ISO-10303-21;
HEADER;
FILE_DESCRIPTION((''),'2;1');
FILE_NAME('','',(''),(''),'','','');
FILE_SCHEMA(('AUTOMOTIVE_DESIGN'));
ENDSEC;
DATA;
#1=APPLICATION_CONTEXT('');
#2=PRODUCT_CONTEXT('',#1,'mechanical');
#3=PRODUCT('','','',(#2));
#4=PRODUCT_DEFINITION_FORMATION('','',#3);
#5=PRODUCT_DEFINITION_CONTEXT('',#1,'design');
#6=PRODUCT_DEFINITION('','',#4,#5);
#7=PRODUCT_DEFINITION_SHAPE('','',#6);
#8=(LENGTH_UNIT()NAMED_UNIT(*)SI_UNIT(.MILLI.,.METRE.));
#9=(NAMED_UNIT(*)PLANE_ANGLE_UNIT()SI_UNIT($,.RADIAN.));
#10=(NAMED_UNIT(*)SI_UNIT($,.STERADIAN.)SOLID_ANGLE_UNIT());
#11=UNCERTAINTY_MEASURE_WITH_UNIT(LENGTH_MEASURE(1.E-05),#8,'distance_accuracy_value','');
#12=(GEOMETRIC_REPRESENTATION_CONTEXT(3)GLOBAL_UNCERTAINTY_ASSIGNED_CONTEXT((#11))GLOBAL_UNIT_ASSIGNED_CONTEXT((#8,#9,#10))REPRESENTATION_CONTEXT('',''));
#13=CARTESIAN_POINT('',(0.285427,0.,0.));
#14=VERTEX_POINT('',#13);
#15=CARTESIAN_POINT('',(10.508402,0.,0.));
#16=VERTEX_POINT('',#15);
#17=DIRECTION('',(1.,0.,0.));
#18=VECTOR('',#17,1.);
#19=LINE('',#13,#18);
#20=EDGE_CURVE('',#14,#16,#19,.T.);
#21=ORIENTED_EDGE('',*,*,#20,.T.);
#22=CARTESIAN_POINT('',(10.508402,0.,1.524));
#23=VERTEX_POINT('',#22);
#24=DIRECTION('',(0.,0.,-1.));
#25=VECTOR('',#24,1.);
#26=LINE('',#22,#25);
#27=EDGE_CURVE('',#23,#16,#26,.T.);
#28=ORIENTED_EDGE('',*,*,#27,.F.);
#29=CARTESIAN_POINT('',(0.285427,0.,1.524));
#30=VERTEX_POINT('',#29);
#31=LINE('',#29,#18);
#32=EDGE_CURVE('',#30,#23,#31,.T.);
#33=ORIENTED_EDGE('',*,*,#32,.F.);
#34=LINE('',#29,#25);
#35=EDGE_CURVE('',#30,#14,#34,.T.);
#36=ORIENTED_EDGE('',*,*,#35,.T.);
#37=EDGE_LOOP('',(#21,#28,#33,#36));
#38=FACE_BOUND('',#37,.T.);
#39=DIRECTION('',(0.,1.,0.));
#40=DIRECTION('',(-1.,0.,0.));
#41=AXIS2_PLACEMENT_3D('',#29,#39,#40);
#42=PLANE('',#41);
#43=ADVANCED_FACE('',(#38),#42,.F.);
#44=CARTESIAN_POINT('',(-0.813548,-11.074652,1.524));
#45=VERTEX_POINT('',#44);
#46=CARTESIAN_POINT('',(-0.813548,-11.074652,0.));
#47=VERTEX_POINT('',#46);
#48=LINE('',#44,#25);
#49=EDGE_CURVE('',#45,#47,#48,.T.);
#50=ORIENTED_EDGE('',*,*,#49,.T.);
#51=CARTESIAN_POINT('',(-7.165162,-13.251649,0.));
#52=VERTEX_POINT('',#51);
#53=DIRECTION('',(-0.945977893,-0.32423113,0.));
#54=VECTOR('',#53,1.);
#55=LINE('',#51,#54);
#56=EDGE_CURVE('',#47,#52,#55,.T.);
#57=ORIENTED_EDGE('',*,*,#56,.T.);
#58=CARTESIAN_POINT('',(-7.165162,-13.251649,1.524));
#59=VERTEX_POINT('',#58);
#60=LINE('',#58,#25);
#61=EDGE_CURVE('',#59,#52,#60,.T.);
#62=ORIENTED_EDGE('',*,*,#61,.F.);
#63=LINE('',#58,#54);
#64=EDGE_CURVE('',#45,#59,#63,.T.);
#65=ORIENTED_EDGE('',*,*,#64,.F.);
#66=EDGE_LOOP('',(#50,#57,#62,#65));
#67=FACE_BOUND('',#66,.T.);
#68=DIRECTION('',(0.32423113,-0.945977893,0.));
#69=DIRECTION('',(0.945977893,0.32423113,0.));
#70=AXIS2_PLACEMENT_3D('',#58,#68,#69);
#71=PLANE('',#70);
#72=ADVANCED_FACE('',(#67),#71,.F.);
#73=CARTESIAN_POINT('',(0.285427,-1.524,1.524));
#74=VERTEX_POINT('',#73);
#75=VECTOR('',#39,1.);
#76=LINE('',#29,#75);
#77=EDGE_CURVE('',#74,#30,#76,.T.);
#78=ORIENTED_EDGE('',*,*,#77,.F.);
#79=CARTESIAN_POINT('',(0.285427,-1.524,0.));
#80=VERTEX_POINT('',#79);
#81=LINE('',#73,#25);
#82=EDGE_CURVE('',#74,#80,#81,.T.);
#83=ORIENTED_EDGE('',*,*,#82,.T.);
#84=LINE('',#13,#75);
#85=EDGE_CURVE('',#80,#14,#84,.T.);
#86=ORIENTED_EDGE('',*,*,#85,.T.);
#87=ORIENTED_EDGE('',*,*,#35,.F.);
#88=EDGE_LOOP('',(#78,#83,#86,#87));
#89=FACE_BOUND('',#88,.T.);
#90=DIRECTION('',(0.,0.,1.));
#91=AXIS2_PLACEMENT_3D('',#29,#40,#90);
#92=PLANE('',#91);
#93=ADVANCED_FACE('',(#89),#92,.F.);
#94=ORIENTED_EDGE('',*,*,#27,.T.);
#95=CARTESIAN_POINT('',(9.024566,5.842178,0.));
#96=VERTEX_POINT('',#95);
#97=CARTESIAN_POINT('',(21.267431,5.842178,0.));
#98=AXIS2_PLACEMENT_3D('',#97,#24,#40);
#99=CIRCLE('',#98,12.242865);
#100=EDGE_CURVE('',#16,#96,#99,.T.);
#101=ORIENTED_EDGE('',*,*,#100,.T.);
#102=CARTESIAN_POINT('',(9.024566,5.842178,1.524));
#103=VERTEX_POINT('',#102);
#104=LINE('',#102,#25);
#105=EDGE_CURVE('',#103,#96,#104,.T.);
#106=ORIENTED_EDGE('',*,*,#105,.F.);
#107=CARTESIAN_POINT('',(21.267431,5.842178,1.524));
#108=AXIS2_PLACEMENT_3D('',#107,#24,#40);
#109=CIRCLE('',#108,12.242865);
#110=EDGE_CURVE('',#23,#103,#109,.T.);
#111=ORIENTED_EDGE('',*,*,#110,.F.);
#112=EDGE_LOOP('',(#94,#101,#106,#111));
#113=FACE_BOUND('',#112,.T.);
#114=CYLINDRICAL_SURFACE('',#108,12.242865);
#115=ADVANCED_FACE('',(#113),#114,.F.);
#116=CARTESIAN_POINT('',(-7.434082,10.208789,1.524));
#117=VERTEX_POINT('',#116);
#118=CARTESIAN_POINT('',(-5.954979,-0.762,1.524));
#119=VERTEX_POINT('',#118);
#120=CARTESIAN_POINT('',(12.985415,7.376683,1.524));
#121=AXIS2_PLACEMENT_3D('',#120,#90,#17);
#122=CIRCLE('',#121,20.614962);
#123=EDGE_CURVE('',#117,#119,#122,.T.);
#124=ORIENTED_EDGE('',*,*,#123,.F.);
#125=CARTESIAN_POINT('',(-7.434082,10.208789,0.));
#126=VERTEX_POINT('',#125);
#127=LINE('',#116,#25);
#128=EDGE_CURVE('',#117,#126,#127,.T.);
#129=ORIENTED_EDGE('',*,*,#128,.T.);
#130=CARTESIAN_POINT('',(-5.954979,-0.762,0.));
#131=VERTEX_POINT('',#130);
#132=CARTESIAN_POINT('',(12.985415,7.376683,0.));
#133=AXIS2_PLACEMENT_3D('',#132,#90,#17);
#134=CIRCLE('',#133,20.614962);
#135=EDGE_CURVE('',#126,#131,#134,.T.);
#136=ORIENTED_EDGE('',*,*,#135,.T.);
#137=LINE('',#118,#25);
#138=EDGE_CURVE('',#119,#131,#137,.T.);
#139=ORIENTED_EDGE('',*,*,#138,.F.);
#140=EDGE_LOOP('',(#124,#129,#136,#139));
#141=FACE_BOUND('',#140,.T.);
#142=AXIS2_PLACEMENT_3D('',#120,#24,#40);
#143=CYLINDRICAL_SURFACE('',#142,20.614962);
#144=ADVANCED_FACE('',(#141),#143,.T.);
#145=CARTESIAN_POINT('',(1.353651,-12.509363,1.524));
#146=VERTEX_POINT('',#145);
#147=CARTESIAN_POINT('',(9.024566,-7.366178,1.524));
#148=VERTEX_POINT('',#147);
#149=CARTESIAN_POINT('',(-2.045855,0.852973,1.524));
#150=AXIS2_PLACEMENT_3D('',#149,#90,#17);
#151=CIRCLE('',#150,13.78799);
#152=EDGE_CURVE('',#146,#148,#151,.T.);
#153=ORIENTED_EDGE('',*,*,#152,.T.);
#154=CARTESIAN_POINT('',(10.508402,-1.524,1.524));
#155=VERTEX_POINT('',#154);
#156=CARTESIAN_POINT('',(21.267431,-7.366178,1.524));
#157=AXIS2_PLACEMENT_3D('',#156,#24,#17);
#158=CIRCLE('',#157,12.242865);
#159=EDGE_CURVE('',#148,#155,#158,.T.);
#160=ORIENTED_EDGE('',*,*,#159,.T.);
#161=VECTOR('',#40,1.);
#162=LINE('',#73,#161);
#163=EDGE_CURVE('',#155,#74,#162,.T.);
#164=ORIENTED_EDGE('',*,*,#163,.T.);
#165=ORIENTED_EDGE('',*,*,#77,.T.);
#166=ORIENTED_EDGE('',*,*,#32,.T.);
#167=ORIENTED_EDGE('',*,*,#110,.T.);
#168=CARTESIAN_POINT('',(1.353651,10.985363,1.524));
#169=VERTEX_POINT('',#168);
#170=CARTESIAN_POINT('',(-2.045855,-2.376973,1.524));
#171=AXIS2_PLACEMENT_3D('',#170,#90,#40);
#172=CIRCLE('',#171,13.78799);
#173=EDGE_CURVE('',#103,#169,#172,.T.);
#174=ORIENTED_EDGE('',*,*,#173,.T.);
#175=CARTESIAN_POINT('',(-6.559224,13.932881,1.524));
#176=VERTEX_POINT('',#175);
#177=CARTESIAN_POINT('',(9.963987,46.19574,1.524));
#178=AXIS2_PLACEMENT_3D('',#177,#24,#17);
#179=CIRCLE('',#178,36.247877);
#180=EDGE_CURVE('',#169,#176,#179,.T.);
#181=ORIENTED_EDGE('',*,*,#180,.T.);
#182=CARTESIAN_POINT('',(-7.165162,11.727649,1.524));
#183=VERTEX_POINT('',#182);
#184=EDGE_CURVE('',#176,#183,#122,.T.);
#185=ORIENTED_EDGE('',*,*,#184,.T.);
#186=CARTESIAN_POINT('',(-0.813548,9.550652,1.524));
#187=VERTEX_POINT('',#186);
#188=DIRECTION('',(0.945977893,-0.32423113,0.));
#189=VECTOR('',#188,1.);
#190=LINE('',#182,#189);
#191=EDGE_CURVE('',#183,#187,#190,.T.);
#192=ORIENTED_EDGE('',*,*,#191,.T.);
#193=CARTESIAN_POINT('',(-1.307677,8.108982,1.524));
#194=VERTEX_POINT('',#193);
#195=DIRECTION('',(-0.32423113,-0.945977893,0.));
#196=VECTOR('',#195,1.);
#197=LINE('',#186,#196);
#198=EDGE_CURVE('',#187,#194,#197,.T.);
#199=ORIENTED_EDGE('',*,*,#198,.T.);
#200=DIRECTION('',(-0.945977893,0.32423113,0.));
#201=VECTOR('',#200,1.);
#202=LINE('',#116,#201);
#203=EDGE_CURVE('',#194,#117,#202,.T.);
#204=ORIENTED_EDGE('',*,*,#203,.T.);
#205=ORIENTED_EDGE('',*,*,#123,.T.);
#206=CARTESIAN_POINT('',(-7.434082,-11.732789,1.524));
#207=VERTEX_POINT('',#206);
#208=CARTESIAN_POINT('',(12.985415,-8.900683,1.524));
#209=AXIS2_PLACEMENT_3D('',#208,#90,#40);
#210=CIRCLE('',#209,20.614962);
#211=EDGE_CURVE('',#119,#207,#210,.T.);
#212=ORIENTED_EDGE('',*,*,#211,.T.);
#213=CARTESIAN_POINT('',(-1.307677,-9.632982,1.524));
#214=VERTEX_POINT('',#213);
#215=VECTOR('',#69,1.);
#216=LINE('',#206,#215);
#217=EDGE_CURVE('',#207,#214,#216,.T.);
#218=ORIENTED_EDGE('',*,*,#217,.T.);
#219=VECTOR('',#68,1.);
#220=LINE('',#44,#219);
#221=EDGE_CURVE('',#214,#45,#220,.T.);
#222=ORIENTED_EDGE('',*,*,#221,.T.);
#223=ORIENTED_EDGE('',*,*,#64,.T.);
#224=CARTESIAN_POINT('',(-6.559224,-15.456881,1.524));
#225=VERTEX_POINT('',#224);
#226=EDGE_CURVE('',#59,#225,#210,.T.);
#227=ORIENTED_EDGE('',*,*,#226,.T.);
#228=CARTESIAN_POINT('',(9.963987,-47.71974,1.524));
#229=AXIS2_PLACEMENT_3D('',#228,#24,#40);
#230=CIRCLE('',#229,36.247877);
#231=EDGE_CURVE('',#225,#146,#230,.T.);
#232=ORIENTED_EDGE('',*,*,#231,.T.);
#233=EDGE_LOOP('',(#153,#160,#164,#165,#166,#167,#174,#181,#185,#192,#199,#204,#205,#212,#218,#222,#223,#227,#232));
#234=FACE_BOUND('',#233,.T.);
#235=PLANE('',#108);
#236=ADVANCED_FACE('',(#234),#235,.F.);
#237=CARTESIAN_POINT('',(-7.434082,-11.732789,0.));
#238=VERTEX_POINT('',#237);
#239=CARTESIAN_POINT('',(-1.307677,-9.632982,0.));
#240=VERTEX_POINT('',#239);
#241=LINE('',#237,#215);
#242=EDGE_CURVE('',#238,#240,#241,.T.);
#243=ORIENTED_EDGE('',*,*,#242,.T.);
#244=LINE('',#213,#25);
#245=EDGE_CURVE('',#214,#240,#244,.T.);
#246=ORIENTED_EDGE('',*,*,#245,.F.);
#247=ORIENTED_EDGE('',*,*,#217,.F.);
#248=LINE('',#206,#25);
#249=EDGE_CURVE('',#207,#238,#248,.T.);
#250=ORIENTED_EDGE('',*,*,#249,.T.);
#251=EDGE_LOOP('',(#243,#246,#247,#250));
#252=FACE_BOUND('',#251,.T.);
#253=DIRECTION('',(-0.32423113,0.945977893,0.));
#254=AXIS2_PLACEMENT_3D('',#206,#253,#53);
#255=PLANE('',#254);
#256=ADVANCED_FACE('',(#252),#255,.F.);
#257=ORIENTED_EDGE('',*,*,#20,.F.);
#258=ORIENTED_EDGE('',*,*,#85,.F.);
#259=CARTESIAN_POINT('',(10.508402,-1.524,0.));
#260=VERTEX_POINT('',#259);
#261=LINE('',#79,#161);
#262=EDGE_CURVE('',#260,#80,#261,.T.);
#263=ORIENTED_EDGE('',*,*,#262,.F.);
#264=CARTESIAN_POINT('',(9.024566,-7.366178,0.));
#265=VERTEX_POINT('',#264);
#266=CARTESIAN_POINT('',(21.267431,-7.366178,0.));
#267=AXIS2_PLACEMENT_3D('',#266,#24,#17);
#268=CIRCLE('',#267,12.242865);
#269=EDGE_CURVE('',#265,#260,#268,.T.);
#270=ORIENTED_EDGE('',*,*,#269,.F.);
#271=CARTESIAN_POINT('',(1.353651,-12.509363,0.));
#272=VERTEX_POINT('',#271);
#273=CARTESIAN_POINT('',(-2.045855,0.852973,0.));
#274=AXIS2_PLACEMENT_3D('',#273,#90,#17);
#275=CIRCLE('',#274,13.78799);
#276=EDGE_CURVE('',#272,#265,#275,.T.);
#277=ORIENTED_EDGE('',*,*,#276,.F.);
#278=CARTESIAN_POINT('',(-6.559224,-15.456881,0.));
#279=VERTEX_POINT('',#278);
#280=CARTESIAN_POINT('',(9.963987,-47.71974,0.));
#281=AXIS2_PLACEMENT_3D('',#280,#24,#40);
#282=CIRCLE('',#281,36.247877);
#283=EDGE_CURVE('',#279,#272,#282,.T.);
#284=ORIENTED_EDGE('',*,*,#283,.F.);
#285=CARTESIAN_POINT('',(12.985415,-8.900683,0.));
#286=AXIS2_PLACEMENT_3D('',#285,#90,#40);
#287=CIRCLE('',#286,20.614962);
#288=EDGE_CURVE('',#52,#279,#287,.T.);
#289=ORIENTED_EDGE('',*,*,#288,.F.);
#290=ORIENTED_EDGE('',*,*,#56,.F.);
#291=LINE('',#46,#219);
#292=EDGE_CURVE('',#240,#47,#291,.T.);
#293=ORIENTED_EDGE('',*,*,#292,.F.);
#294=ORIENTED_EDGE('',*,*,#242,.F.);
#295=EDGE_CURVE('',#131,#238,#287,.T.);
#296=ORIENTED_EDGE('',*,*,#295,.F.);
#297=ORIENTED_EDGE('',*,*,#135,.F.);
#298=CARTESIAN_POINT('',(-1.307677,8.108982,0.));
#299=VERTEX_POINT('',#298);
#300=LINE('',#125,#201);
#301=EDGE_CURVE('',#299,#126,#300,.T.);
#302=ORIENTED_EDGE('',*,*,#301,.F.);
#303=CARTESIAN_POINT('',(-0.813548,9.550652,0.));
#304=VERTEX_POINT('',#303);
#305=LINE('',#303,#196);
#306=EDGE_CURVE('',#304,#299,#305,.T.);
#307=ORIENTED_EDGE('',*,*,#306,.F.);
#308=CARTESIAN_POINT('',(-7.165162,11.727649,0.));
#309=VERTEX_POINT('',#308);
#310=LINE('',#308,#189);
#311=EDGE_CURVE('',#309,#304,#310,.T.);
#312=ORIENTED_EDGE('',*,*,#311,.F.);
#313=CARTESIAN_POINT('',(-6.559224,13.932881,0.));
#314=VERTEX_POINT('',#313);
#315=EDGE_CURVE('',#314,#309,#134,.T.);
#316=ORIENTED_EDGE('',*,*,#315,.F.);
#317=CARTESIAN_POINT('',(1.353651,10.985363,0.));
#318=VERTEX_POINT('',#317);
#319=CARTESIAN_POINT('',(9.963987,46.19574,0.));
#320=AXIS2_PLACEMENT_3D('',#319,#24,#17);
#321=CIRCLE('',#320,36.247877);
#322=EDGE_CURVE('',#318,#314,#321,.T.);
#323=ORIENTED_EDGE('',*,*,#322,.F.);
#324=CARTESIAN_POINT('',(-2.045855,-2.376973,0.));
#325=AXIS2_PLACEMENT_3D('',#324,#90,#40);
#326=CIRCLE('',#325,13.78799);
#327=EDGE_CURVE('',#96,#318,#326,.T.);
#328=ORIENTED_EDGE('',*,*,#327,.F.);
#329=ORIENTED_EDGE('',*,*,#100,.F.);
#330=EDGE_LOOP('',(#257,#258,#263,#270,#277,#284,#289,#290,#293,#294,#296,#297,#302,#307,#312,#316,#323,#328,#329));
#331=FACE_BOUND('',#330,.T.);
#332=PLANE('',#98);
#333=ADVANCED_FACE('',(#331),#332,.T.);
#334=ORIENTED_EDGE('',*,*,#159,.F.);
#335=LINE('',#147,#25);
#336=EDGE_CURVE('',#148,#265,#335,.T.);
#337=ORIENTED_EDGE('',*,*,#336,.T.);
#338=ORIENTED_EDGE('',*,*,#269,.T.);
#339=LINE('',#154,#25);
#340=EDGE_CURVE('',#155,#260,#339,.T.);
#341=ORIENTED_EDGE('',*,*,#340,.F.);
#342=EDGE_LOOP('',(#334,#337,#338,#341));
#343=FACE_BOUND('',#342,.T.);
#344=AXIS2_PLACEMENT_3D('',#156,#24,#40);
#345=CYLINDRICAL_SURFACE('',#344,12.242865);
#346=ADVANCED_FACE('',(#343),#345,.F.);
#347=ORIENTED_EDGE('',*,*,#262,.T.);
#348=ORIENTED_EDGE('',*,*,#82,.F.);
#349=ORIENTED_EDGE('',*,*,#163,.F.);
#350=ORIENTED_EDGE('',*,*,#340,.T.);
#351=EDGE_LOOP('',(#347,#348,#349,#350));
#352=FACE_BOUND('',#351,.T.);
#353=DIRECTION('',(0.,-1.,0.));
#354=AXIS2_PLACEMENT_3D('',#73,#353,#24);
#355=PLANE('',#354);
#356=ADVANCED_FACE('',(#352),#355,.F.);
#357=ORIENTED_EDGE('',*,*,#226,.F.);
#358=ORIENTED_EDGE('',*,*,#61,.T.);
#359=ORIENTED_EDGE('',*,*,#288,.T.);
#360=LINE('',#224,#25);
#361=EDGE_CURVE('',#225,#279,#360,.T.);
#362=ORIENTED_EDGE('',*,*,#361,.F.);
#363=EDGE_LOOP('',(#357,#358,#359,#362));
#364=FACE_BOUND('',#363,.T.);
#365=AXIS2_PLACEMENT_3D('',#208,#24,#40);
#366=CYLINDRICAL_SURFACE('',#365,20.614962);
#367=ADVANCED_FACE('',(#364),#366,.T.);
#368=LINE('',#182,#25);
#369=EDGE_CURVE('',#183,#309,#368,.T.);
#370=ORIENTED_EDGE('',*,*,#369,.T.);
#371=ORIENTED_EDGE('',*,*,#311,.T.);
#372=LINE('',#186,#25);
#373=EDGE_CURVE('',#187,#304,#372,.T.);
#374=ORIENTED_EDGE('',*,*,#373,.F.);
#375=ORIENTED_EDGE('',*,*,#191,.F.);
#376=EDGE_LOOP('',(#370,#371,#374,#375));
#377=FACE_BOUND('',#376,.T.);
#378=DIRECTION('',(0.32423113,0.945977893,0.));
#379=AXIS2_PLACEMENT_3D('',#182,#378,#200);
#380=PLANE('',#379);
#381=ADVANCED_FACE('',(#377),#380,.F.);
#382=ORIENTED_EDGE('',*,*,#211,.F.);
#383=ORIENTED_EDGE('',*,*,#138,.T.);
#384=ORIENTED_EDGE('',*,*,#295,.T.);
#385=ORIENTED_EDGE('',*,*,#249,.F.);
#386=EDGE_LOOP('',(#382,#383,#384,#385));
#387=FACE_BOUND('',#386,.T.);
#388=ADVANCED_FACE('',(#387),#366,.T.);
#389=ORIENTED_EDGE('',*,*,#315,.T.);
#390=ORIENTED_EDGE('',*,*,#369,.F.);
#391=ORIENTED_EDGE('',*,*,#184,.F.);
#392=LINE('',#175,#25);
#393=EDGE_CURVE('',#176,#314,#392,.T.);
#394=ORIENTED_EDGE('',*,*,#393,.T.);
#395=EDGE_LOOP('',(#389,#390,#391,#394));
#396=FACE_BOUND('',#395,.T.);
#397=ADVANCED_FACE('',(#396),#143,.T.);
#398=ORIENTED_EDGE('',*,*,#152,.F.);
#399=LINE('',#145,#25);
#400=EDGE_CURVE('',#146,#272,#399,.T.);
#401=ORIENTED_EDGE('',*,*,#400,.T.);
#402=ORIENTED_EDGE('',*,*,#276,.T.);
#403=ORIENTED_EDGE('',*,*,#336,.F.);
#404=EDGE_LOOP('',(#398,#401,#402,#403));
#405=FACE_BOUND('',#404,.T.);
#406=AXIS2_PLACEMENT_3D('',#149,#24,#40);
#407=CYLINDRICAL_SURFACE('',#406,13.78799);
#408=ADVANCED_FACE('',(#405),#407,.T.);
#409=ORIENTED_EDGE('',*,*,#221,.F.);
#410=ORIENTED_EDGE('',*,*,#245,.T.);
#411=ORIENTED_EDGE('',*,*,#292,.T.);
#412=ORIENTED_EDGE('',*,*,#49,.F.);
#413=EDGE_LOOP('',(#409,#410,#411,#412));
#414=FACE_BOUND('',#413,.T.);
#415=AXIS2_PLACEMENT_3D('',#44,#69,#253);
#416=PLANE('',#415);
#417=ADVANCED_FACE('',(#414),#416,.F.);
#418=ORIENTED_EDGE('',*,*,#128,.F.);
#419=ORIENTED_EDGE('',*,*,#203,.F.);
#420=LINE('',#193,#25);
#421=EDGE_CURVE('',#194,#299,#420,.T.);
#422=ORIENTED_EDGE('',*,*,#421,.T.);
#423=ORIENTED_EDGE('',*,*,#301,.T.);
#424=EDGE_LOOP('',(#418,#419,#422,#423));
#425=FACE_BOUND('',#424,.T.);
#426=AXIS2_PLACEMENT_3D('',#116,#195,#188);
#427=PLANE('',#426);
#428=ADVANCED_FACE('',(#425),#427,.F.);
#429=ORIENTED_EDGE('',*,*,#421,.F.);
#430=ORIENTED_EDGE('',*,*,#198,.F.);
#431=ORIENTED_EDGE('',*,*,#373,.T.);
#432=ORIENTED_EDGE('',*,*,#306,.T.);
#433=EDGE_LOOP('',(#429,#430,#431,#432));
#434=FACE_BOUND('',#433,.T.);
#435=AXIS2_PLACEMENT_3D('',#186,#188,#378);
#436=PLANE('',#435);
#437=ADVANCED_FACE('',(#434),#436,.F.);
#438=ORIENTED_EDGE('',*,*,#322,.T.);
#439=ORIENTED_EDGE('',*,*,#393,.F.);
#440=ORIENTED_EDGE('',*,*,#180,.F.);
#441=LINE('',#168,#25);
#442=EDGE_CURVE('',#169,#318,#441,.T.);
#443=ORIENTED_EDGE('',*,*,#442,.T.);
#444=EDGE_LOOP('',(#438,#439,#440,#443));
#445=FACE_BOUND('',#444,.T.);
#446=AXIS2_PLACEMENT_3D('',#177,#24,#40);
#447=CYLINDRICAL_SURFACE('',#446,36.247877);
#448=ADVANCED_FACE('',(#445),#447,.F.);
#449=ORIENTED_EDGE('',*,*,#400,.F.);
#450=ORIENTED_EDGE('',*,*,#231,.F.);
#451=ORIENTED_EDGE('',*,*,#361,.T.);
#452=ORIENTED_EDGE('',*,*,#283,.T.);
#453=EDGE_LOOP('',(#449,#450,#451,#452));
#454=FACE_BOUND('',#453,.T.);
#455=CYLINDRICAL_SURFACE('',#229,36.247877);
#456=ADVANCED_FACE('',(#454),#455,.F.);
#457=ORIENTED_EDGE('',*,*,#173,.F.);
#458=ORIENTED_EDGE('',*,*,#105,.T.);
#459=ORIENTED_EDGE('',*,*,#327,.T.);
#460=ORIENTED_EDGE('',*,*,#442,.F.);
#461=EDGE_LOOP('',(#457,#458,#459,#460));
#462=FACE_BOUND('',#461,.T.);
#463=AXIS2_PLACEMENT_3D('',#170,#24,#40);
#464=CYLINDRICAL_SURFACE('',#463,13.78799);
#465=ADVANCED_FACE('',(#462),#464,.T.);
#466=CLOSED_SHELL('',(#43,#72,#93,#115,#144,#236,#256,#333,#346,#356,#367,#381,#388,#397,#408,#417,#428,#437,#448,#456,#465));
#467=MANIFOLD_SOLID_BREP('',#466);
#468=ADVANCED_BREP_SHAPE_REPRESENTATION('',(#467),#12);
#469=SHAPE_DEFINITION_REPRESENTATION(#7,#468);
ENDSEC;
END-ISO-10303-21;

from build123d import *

# Parameters (mm, degrees)
BOSS_EXTRUDE1_DEPTH = 1.524


with BuildPart() as part:
    # Sketch1 → Boss-Extrude1 (new body)
    with BuildSketch(Plane.XY):
        with BuildLine():
            Line((0.285426682, 0), (0.285426682, -1.524))
            Line((0.285426682, -1.524), (10.508401923, -1.524))
            ThreePointArc((10.508401923, -1.524), (9.401321759, -4.352342754), (9.024565628, -7.366178191))
            ThreePointArc((9.024565628, -7.366178191), (5.632541896, -10.599139275), (1.353650751, -12.509362545))
            ThreePointArc((1.353650751, -12.509362545), (-2.688908753, -13.751919893), (-6.559224402, -15.456881148))
            ThreePointArc((-6.559224402, -15.456881148), (-6.892797133, -14.362674131), (-7.1651622, -13.251648913))
            Line((-7.1651622, -13.251648913), (-0.813548275, -11.074651995))
            Line((-0.813548275, -11.074651995), (-1.307676516, -9.632981686))
            Line((-1.307676516, -9.632981686), (-7.434081645, -11.732788954))
            ThreePointArc((-7.434081645, -11.732788954), (-7.444704809, -6.146254485), (-5.954978709, -0.762))
            ThreePointArc((-5.954978709, -0.762), (-7.444704809, 4.622254485), (-7.434081645, 10.208788954))
            Line((-7.434081645, 10.208788954), (-1.307676516, 8.108981686))
            Line((-1.307676516, 8.108981686), (-0.813548275, 9.550651995))
            Line((-0.813548275, 9.550651995), (-7.1651622, 11.727648913))
            ThreePointArc((-7.1651622, 11.727648913), (-6.892797133, 12.838674131), (-6.559224402, 13.932881148))
            ThreePointArc((-6.559224402, 13.932881148), (-2.688908753, 12.227919893), (1.353650751, 10.985362545))
            ThreePointArc((1.353650751, 10.985362545), (5.632541896, 9.075139275), (9.024565628, 5.842178191))
            ThreePointArc((9.024565628, 5.842178191), (9.401321759, 2.828342754), (10.508401923, 0))
            Line((10.508401923, 0), (0.285426682, 0))
        make_face()
    extrude(amount=BOSS_EXTRUDE1_DEPTH)


solid = part.part
